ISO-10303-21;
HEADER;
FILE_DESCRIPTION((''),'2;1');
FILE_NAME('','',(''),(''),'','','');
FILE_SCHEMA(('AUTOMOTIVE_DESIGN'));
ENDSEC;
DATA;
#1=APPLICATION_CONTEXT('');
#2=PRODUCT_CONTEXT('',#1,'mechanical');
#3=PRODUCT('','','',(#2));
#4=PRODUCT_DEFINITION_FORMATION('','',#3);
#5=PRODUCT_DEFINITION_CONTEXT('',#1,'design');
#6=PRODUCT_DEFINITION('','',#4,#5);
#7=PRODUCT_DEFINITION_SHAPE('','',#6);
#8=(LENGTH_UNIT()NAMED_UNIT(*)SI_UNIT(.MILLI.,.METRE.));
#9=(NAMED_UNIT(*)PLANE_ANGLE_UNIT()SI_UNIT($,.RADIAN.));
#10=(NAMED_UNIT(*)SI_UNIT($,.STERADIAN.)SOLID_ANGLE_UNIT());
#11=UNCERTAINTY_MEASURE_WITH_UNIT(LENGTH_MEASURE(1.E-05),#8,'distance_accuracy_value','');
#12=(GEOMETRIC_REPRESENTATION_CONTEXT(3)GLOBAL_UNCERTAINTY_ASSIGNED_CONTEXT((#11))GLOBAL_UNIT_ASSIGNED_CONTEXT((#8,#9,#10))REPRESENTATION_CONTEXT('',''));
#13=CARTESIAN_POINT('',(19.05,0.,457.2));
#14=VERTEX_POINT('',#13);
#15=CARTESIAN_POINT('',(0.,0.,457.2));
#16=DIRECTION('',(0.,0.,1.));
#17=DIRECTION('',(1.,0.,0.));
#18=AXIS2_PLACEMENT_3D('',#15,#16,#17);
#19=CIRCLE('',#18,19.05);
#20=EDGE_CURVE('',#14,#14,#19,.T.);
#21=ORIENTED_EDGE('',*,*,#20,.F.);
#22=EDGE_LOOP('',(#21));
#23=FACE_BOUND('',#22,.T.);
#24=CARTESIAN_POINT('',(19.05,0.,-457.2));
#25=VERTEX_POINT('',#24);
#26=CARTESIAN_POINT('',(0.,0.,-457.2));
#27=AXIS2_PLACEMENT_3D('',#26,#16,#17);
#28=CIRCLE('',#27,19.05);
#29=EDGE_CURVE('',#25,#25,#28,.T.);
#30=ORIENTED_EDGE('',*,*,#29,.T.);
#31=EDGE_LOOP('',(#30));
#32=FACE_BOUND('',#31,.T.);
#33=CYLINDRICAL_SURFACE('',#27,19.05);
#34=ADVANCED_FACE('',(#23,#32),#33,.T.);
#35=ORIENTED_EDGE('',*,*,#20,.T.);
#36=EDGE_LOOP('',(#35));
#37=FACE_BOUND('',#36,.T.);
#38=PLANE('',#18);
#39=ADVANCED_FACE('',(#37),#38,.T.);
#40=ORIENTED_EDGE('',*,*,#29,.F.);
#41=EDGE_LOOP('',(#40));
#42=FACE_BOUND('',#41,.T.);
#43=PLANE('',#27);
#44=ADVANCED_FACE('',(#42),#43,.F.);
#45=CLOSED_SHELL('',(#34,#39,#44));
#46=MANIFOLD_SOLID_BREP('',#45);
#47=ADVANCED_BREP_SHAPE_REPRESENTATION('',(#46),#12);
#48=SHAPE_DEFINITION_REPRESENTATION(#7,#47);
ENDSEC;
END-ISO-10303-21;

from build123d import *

# Parameters (mm, degrees)
BOSS_EXTRUDE1_DEPTH      = 457.2
BOSS_EXTRUDE1_DEPTH_BACK = 457.2
SKETCH3_R                = 19.05


with BuildPart() as part:
    # Sketch3 → Boss-Extrude1 (new, two sides: drawn at the far end of the back side and taken through both)
    with BuildSketch(Plane.XY.offset(-BOSS_EXTRUDE1_DEPTH_BACK)):
        Circle(SKETCH3_R)
    extrude(amount=BOSS_EXTRUDE1_DEPTH + BOSS_EXTRUDE1_DEPTH_BACK)


solid = part.part
